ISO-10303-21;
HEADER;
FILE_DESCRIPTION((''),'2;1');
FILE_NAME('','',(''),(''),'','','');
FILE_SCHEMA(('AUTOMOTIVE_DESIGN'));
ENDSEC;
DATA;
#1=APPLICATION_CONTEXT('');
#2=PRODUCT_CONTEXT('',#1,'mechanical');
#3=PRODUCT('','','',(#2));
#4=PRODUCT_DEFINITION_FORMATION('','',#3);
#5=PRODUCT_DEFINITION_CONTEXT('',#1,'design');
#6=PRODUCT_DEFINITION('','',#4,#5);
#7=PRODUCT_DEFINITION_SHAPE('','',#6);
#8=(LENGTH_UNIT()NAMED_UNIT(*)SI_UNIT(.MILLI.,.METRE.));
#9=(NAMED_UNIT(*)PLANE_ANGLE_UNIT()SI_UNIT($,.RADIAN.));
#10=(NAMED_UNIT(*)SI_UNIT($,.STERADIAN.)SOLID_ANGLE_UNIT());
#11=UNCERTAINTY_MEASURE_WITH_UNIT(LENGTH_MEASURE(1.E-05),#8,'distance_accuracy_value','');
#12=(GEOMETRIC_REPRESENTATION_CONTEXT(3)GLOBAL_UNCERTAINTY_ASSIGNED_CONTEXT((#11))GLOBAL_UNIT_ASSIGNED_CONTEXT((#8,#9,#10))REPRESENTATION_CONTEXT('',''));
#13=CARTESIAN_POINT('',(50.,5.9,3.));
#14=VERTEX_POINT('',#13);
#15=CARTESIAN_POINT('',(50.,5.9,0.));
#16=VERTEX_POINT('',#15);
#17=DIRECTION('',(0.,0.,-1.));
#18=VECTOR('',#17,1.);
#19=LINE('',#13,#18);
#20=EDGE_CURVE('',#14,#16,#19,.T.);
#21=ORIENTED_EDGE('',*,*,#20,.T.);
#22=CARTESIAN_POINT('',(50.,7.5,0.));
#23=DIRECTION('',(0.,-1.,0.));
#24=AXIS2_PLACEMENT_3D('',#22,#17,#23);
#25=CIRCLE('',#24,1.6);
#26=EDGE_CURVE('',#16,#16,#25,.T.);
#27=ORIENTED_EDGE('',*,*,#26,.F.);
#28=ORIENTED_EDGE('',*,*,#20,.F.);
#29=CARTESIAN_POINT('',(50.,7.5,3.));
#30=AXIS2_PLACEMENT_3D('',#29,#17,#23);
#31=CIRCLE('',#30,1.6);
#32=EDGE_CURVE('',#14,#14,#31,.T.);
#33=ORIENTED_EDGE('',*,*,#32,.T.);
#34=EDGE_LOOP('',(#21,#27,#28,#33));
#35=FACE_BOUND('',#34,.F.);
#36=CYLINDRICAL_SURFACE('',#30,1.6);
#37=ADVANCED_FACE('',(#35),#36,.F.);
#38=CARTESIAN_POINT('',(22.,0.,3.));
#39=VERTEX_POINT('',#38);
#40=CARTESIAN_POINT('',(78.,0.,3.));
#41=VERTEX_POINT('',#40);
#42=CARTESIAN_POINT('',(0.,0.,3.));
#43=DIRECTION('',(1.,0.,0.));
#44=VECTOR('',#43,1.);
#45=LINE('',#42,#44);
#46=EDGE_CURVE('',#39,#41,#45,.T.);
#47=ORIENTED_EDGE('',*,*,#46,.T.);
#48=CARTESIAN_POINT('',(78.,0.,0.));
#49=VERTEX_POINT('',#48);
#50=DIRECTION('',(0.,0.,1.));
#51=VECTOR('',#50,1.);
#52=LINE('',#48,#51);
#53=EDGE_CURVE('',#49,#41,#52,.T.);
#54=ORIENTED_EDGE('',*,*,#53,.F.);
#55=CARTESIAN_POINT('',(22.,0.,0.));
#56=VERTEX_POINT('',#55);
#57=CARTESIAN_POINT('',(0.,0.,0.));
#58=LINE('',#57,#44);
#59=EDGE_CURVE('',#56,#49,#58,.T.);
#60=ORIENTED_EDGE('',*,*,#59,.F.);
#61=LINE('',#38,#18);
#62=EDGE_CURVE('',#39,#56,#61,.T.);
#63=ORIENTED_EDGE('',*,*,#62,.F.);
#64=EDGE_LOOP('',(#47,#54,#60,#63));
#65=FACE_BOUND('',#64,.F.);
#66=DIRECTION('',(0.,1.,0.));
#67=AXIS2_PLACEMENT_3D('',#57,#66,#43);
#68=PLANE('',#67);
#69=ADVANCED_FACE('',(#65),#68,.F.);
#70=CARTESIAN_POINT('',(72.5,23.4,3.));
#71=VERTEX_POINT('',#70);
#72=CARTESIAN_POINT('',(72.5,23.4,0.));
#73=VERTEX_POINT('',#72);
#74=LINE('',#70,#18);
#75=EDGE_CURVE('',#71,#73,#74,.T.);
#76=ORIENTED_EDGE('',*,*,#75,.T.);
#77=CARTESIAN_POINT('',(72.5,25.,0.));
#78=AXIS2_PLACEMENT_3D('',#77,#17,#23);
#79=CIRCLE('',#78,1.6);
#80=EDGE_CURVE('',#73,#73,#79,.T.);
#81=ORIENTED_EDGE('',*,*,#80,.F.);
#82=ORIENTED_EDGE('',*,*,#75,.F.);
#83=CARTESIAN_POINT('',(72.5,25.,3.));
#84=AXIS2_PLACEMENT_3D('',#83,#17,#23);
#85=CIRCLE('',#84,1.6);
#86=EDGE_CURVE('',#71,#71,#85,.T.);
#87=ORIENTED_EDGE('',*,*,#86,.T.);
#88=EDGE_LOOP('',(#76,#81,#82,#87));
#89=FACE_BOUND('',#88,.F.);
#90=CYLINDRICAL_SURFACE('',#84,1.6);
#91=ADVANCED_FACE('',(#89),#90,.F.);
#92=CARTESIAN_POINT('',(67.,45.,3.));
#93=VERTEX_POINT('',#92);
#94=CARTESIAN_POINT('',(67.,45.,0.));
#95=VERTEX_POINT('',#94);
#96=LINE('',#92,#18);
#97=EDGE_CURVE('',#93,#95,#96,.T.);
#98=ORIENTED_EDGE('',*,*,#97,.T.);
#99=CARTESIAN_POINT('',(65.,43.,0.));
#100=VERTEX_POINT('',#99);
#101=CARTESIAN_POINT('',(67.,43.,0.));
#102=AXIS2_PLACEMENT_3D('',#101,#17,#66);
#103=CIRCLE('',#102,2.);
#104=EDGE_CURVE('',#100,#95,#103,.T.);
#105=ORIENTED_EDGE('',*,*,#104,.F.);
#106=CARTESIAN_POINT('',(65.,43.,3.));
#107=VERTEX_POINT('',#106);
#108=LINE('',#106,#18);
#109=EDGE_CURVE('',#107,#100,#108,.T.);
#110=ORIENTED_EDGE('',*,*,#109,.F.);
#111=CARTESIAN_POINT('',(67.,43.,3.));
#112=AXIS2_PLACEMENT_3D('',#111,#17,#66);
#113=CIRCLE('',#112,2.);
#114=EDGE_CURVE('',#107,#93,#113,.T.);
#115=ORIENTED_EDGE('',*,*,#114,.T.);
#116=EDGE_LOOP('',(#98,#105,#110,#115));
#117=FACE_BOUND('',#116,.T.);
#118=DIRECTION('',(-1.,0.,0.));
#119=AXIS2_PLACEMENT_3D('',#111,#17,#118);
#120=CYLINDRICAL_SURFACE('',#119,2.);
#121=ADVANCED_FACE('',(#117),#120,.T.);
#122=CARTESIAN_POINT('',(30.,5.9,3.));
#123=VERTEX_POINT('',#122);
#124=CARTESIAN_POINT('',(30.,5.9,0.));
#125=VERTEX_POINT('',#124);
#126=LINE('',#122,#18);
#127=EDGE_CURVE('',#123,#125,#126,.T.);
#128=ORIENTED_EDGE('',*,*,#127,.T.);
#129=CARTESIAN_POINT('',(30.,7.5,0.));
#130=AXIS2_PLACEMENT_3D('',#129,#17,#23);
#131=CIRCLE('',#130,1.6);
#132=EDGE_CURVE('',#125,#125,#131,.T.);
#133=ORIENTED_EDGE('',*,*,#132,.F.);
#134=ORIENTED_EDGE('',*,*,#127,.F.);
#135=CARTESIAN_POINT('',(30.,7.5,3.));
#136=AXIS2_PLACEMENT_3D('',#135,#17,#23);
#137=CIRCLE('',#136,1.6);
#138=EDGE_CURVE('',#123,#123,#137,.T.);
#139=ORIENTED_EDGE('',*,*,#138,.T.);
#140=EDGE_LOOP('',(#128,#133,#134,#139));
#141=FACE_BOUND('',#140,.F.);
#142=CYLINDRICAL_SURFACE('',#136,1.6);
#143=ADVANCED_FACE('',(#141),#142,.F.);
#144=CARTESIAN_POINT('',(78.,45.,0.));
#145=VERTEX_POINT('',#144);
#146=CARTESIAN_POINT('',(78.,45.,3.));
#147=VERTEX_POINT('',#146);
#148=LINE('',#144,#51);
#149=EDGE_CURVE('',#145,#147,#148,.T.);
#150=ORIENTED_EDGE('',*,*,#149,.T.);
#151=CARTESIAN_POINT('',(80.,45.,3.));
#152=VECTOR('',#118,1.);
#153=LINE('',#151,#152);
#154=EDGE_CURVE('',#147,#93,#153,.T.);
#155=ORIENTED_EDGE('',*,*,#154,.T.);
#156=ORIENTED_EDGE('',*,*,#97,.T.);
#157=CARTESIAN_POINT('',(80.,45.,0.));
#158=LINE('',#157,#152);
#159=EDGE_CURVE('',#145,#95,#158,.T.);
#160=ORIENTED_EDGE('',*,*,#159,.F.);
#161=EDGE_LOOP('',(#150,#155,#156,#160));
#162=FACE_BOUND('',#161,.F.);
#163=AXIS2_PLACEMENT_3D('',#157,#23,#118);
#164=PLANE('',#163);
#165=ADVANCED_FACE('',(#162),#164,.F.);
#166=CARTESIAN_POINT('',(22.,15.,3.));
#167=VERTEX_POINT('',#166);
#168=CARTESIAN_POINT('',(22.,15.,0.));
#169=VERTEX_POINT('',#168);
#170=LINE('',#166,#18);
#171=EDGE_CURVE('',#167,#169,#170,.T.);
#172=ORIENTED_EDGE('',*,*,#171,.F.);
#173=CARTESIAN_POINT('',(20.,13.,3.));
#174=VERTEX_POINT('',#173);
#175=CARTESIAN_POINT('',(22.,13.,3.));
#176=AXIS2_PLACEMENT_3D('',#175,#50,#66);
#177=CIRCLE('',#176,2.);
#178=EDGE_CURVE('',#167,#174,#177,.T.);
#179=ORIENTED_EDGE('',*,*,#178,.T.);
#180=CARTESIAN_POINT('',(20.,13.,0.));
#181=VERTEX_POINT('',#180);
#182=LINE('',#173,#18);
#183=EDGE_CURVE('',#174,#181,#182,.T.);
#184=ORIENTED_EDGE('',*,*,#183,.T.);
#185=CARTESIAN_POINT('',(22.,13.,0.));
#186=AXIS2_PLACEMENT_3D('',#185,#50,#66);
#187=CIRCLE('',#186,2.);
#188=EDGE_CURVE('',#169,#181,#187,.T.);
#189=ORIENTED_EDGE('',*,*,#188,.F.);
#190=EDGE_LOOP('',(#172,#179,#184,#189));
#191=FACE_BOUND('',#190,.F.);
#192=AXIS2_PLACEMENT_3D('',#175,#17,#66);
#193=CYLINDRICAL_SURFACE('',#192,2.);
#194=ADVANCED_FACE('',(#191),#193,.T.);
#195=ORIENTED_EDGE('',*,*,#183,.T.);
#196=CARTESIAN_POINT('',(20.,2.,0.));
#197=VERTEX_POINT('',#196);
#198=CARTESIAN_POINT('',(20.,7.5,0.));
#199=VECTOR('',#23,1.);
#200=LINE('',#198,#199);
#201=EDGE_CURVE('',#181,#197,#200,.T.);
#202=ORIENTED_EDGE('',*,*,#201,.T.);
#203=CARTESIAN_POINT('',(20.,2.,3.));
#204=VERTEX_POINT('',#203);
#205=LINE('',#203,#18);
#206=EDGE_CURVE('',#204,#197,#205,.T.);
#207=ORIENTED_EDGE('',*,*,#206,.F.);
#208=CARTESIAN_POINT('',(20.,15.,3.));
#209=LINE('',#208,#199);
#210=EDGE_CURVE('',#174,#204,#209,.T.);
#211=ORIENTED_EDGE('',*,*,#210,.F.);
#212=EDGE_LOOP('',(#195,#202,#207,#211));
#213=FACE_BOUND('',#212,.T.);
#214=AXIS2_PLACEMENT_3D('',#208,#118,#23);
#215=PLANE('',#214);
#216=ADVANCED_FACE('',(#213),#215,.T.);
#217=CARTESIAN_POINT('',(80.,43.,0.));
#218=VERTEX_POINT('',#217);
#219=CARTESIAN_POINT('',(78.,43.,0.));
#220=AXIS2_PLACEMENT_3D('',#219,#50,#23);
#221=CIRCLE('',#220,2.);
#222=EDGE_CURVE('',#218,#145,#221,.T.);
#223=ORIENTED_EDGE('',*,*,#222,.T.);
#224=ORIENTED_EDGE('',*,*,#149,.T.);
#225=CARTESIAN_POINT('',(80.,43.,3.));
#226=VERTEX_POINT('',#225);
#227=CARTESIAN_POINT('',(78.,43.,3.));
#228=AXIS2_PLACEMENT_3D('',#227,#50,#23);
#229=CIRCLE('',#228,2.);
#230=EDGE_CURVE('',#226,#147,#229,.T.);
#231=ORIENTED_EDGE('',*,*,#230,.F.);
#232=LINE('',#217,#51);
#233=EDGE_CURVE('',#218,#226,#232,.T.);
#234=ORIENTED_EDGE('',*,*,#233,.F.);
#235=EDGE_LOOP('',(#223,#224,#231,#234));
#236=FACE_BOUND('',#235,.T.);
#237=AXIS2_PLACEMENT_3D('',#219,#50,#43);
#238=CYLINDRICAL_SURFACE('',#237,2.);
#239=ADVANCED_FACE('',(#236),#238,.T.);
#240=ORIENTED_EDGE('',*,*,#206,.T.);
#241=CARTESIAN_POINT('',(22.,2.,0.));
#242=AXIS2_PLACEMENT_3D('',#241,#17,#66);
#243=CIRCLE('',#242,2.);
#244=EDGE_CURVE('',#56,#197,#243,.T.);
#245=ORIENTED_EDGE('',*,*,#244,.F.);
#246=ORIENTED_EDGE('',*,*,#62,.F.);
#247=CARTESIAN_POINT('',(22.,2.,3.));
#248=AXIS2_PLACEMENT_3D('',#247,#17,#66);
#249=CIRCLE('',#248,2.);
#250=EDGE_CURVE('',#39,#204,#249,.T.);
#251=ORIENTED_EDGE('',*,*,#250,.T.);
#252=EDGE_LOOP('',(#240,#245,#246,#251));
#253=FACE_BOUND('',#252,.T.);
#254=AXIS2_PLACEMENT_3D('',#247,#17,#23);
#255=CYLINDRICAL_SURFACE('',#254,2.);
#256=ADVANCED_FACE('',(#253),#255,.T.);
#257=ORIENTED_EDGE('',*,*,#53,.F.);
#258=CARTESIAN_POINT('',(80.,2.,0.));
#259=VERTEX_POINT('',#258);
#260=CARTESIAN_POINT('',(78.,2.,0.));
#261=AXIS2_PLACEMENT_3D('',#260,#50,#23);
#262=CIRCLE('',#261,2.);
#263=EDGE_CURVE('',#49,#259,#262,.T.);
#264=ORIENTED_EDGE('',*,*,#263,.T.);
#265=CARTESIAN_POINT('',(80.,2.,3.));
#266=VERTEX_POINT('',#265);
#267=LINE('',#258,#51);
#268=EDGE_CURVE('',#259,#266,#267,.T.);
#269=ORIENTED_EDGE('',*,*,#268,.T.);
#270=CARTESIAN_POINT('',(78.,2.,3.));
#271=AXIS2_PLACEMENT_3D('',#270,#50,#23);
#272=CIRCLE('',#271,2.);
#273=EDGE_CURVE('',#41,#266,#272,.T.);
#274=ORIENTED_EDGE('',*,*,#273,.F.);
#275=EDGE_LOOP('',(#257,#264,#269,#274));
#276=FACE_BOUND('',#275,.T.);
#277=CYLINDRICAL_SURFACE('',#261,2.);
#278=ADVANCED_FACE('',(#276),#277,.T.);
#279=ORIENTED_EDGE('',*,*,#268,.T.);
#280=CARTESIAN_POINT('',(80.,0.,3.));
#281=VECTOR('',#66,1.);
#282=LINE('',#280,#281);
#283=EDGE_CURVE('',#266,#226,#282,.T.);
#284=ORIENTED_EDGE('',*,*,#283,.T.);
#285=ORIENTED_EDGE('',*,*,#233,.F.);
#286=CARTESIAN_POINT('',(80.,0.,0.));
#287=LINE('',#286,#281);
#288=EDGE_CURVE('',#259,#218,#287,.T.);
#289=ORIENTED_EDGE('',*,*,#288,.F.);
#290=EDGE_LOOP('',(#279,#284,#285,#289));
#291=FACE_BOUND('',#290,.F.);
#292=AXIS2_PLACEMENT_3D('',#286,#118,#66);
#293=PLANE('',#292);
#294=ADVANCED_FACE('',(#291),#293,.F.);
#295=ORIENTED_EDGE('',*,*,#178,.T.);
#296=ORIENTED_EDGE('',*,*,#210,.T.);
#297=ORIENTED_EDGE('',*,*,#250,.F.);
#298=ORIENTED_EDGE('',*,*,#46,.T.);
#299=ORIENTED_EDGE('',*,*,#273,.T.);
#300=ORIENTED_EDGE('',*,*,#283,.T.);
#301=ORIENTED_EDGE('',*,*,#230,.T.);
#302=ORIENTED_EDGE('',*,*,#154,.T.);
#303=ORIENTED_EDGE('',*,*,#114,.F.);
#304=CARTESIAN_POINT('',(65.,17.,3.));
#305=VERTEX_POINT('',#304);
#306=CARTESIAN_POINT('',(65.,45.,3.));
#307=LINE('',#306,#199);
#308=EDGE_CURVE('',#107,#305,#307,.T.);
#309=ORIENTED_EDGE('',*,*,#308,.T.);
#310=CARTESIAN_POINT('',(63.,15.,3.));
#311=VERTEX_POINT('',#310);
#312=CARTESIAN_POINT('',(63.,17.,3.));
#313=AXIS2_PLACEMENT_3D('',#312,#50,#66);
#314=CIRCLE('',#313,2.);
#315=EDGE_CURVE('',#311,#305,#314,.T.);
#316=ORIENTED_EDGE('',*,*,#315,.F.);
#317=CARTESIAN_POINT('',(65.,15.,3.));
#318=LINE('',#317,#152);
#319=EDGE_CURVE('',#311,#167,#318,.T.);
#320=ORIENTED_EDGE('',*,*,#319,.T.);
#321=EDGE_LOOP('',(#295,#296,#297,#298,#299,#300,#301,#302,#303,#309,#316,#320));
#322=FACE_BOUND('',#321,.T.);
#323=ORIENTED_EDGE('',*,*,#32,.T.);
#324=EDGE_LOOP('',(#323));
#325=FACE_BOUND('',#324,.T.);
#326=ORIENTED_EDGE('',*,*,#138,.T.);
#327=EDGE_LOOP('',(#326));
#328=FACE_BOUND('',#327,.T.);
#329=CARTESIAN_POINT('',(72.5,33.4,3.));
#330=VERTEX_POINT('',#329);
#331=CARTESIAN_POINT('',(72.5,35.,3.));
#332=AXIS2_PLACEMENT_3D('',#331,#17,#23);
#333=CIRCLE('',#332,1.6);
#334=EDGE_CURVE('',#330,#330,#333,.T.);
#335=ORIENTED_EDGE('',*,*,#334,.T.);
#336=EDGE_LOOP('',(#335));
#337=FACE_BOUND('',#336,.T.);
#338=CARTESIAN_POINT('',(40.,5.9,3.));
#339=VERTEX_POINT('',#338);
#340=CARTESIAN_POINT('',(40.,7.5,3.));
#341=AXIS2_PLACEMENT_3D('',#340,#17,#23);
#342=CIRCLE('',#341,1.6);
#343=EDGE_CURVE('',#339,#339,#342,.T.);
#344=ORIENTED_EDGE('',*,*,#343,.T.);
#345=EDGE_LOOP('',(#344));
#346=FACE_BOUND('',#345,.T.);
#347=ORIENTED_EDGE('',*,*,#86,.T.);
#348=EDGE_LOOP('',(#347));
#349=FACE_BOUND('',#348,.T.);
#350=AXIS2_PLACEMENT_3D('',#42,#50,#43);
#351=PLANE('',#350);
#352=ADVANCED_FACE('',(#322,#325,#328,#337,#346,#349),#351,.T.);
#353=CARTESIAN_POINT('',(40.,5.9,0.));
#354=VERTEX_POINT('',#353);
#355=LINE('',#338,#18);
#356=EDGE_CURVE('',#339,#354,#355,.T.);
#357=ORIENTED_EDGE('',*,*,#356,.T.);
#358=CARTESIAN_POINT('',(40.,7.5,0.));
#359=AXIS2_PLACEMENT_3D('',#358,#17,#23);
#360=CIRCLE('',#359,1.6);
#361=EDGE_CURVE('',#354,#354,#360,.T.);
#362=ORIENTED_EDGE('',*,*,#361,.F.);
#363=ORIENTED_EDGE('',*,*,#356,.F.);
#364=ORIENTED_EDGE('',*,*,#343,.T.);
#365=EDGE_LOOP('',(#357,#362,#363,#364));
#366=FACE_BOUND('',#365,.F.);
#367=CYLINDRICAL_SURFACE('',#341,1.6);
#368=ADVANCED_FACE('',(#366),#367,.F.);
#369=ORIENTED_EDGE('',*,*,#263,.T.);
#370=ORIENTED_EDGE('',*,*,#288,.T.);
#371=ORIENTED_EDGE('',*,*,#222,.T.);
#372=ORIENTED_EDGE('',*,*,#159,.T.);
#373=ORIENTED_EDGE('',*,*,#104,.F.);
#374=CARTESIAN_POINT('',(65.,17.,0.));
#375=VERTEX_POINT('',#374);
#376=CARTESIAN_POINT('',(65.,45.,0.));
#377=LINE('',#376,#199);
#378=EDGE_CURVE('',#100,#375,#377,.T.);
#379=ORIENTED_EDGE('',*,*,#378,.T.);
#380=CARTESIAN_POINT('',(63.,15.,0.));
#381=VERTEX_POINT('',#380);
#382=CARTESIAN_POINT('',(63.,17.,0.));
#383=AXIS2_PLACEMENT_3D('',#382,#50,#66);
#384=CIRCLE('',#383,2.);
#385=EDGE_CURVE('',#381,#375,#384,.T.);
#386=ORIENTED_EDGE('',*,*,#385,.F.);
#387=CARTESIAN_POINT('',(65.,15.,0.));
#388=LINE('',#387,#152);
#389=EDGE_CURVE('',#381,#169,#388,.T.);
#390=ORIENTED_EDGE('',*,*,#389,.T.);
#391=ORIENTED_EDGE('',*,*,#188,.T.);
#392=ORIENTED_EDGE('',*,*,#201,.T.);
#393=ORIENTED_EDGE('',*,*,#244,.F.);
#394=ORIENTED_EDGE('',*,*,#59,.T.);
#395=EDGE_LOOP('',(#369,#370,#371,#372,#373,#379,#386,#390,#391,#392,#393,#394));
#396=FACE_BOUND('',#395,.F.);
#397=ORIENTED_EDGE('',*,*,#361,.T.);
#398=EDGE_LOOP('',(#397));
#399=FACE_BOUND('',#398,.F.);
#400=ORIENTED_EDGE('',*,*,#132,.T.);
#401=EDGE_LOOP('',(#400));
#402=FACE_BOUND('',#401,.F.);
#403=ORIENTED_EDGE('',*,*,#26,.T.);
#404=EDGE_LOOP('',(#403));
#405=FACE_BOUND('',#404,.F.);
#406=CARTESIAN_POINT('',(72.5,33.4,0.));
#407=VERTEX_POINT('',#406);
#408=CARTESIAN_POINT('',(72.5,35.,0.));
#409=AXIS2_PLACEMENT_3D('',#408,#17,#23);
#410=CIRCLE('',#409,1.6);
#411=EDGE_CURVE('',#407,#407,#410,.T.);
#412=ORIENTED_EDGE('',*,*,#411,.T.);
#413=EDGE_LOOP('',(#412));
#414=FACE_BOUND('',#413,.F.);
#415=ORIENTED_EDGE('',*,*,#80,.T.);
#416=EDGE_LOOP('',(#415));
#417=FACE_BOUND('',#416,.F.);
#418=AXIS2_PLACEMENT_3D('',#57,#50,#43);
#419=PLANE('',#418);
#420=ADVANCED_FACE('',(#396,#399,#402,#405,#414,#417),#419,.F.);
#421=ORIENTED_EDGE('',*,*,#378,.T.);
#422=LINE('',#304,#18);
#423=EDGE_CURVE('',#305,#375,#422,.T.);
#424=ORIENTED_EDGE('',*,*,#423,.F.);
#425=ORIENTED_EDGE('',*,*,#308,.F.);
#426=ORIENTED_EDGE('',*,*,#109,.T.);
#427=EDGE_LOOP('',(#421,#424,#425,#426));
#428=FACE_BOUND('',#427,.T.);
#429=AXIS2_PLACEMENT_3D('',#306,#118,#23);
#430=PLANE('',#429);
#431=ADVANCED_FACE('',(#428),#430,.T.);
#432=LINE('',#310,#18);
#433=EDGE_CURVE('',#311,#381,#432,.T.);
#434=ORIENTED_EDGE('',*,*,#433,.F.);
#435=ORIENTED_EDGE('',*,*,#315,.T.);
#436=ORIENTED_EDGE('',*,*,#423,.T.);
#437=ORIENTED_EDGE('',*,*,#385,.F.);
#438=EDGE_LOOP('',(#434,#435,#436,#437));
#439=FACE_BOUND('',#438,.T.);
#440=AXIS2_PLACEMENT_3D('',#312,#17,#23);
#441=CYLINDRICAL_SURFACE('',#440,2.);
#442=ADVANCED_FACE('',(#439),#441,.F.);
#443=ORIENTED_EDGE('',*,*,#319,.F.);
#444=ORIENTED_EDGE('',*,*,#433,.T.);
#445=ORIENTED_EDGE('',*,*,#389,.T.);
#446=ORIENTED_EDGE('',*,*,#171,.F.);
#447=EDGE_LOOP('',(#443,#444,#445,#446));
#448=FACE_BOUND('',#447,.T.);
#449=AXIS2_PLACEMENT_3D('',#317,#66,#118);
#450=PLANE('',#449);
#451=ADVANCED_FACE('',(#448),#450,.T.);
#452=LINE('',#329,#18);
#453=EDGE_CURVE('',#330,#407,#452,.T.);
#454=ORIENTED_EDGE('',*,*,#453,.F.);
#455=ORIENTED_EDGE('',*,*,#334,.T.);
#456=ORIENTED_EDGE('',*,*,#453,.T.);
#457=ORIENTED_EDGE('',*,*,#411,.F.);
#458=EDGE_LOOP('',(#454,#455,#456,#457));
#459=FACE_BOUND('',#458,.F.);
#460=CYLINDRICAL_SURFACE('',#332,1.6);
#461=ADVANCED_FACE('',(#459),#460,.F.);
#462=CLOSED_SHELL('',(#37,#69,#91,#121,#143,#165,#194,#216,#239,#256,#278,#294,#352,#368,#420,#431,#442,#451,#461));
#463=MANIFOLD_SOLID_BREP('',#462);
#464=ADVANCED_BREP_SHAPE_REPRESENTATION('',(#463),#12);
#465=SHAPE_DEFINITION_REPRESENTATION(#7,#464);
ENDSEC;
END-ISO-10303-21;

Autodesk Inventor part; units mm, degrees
ref_plane "YZ Plane" through (0, 0, 0) normal (1, 0, 0) x (0, 1, 0)
ref_plane "XZ Plane" through (0, 0, 0) normal (0, 1, 0) x (-1, 0, 0)
ref_plane "XY Plane" through (0, 0, 0) normal (0, 0, 1) x (1, 0, 0)
sketch "スケッチ1" plane through (0, 0, 0) normal (0, 0, 1) x (1, 0, 0)
  line L0 (0, 0) -> (80, 0)
  line L1 (80, 0) -> (80, 45)
  line L2 (80, 45) -> (0, 45)
  line L3 (0, 45) -> (0, 0)
  dimension "d0" = 80
  dimension "d1" = 45
extrude "押し出し1" add sketch "スケッチ1" along normal blind 3
sketch "スケッチ2" plane through (0, 0, 3) normal (0, 0, 1) x (1, 0, 0)
  line L0 (0, 45) -> (0, 0) projected
  line L1 (0, 0) -> (80, 0) projected
  line L2 (80, 45) -> (0, 45) projected
  line L3 (40, 45) -> (40, 0) construction
  point P0 (7.5, 35)
  point P1 (7.5, 25)
  point P2 (30, 7.5)
  point P3 (72.5, 35)
  point P4 (72.5, 25)
  point P5 (50, 7.5)
  point P6 (40, 7.5)
  dimension "d4" = 7.5
  dimension "d5" = 35
  dimension "d6" = 10
  dimension "d7" = 7.5
  dimension "d8" = 7.5
  dimension "d9" = 30
hole "穴1" at (7.5, 35, 3) at (7.5, 25, 3) at (30, 7.5, 3) at (72.5, 35, 3) at (72.5, 25, 3) at (50, 7.5, 3) at (40, 7.5, 3) direction (0, 0, -1) diameter 3.2 end through all
sketch "スケッチ3" plane through (0, 0, 3) normal (0, 0, 1) x (1, 0, 0)
  line L0 (80, 45) -> (0, 45) projected
  line L1 (15, 45) -> (65, 45)
  line L2 (65, 45) -> (65, 15)
  line L3 (65, 15) -> (15, 15)
  line L4 (15, 15) -> (15, 45)
  line L5 (0, 45) -> (0, 0) projected
  line L6 (0, 0) -> (80, 0) projected
  dimension "d17" = 50
  dimension "d18" = 30
  dimension "d19" = 15
  dimension "d20" = 15
extrude "押し出し2" cut sketch "スケッチ3" against normal blind 3
fillet "フィレット1" radius 2 8 edges at (15, 45, 1.5) (65, 15, 1.5) (65, 45, 1.5) (80, 45, 1.5) (0, 45, 1.5) (0, 0, 1.5) (80, 0, 1.5) (15, 15, 1.5)
sketch "スケッチ4" plane through (0, 0, 3) normal (0, 0, 1) x (1, 0, 0)
  line L0 (17, 15) -> (63, 15) projected
  line L1 (20, 15) -> (20, 0)
  line L2 (2, 0) -> (78, 0) projected
  circle A0 centre (30, 7.5) radius 1.6 projected
  line L3 (20, 15) -> (14.3834, 55.3393)
  line L4 (14.3834, 55.3393) -> (-4.9194, 44.4595)
  line L5 (-4.9194, 44.4595) -> (-4.9194, 0)
  line L6 (-4.9194, 0) -> (20, 0)
  point P0 (0, 0)
  dimension "d24" = 10
extrude "押し出し3" cut sketch "スケッチ4" against normal blind 10 contours L1 L2 L6 L5 L4 L3
fillet "フィレット2" radius 2 2 edges at (20, 15, 1.5) (20, 0, 1.5)
properties part number "射出_固定6" material "アルミニウム 6061"
